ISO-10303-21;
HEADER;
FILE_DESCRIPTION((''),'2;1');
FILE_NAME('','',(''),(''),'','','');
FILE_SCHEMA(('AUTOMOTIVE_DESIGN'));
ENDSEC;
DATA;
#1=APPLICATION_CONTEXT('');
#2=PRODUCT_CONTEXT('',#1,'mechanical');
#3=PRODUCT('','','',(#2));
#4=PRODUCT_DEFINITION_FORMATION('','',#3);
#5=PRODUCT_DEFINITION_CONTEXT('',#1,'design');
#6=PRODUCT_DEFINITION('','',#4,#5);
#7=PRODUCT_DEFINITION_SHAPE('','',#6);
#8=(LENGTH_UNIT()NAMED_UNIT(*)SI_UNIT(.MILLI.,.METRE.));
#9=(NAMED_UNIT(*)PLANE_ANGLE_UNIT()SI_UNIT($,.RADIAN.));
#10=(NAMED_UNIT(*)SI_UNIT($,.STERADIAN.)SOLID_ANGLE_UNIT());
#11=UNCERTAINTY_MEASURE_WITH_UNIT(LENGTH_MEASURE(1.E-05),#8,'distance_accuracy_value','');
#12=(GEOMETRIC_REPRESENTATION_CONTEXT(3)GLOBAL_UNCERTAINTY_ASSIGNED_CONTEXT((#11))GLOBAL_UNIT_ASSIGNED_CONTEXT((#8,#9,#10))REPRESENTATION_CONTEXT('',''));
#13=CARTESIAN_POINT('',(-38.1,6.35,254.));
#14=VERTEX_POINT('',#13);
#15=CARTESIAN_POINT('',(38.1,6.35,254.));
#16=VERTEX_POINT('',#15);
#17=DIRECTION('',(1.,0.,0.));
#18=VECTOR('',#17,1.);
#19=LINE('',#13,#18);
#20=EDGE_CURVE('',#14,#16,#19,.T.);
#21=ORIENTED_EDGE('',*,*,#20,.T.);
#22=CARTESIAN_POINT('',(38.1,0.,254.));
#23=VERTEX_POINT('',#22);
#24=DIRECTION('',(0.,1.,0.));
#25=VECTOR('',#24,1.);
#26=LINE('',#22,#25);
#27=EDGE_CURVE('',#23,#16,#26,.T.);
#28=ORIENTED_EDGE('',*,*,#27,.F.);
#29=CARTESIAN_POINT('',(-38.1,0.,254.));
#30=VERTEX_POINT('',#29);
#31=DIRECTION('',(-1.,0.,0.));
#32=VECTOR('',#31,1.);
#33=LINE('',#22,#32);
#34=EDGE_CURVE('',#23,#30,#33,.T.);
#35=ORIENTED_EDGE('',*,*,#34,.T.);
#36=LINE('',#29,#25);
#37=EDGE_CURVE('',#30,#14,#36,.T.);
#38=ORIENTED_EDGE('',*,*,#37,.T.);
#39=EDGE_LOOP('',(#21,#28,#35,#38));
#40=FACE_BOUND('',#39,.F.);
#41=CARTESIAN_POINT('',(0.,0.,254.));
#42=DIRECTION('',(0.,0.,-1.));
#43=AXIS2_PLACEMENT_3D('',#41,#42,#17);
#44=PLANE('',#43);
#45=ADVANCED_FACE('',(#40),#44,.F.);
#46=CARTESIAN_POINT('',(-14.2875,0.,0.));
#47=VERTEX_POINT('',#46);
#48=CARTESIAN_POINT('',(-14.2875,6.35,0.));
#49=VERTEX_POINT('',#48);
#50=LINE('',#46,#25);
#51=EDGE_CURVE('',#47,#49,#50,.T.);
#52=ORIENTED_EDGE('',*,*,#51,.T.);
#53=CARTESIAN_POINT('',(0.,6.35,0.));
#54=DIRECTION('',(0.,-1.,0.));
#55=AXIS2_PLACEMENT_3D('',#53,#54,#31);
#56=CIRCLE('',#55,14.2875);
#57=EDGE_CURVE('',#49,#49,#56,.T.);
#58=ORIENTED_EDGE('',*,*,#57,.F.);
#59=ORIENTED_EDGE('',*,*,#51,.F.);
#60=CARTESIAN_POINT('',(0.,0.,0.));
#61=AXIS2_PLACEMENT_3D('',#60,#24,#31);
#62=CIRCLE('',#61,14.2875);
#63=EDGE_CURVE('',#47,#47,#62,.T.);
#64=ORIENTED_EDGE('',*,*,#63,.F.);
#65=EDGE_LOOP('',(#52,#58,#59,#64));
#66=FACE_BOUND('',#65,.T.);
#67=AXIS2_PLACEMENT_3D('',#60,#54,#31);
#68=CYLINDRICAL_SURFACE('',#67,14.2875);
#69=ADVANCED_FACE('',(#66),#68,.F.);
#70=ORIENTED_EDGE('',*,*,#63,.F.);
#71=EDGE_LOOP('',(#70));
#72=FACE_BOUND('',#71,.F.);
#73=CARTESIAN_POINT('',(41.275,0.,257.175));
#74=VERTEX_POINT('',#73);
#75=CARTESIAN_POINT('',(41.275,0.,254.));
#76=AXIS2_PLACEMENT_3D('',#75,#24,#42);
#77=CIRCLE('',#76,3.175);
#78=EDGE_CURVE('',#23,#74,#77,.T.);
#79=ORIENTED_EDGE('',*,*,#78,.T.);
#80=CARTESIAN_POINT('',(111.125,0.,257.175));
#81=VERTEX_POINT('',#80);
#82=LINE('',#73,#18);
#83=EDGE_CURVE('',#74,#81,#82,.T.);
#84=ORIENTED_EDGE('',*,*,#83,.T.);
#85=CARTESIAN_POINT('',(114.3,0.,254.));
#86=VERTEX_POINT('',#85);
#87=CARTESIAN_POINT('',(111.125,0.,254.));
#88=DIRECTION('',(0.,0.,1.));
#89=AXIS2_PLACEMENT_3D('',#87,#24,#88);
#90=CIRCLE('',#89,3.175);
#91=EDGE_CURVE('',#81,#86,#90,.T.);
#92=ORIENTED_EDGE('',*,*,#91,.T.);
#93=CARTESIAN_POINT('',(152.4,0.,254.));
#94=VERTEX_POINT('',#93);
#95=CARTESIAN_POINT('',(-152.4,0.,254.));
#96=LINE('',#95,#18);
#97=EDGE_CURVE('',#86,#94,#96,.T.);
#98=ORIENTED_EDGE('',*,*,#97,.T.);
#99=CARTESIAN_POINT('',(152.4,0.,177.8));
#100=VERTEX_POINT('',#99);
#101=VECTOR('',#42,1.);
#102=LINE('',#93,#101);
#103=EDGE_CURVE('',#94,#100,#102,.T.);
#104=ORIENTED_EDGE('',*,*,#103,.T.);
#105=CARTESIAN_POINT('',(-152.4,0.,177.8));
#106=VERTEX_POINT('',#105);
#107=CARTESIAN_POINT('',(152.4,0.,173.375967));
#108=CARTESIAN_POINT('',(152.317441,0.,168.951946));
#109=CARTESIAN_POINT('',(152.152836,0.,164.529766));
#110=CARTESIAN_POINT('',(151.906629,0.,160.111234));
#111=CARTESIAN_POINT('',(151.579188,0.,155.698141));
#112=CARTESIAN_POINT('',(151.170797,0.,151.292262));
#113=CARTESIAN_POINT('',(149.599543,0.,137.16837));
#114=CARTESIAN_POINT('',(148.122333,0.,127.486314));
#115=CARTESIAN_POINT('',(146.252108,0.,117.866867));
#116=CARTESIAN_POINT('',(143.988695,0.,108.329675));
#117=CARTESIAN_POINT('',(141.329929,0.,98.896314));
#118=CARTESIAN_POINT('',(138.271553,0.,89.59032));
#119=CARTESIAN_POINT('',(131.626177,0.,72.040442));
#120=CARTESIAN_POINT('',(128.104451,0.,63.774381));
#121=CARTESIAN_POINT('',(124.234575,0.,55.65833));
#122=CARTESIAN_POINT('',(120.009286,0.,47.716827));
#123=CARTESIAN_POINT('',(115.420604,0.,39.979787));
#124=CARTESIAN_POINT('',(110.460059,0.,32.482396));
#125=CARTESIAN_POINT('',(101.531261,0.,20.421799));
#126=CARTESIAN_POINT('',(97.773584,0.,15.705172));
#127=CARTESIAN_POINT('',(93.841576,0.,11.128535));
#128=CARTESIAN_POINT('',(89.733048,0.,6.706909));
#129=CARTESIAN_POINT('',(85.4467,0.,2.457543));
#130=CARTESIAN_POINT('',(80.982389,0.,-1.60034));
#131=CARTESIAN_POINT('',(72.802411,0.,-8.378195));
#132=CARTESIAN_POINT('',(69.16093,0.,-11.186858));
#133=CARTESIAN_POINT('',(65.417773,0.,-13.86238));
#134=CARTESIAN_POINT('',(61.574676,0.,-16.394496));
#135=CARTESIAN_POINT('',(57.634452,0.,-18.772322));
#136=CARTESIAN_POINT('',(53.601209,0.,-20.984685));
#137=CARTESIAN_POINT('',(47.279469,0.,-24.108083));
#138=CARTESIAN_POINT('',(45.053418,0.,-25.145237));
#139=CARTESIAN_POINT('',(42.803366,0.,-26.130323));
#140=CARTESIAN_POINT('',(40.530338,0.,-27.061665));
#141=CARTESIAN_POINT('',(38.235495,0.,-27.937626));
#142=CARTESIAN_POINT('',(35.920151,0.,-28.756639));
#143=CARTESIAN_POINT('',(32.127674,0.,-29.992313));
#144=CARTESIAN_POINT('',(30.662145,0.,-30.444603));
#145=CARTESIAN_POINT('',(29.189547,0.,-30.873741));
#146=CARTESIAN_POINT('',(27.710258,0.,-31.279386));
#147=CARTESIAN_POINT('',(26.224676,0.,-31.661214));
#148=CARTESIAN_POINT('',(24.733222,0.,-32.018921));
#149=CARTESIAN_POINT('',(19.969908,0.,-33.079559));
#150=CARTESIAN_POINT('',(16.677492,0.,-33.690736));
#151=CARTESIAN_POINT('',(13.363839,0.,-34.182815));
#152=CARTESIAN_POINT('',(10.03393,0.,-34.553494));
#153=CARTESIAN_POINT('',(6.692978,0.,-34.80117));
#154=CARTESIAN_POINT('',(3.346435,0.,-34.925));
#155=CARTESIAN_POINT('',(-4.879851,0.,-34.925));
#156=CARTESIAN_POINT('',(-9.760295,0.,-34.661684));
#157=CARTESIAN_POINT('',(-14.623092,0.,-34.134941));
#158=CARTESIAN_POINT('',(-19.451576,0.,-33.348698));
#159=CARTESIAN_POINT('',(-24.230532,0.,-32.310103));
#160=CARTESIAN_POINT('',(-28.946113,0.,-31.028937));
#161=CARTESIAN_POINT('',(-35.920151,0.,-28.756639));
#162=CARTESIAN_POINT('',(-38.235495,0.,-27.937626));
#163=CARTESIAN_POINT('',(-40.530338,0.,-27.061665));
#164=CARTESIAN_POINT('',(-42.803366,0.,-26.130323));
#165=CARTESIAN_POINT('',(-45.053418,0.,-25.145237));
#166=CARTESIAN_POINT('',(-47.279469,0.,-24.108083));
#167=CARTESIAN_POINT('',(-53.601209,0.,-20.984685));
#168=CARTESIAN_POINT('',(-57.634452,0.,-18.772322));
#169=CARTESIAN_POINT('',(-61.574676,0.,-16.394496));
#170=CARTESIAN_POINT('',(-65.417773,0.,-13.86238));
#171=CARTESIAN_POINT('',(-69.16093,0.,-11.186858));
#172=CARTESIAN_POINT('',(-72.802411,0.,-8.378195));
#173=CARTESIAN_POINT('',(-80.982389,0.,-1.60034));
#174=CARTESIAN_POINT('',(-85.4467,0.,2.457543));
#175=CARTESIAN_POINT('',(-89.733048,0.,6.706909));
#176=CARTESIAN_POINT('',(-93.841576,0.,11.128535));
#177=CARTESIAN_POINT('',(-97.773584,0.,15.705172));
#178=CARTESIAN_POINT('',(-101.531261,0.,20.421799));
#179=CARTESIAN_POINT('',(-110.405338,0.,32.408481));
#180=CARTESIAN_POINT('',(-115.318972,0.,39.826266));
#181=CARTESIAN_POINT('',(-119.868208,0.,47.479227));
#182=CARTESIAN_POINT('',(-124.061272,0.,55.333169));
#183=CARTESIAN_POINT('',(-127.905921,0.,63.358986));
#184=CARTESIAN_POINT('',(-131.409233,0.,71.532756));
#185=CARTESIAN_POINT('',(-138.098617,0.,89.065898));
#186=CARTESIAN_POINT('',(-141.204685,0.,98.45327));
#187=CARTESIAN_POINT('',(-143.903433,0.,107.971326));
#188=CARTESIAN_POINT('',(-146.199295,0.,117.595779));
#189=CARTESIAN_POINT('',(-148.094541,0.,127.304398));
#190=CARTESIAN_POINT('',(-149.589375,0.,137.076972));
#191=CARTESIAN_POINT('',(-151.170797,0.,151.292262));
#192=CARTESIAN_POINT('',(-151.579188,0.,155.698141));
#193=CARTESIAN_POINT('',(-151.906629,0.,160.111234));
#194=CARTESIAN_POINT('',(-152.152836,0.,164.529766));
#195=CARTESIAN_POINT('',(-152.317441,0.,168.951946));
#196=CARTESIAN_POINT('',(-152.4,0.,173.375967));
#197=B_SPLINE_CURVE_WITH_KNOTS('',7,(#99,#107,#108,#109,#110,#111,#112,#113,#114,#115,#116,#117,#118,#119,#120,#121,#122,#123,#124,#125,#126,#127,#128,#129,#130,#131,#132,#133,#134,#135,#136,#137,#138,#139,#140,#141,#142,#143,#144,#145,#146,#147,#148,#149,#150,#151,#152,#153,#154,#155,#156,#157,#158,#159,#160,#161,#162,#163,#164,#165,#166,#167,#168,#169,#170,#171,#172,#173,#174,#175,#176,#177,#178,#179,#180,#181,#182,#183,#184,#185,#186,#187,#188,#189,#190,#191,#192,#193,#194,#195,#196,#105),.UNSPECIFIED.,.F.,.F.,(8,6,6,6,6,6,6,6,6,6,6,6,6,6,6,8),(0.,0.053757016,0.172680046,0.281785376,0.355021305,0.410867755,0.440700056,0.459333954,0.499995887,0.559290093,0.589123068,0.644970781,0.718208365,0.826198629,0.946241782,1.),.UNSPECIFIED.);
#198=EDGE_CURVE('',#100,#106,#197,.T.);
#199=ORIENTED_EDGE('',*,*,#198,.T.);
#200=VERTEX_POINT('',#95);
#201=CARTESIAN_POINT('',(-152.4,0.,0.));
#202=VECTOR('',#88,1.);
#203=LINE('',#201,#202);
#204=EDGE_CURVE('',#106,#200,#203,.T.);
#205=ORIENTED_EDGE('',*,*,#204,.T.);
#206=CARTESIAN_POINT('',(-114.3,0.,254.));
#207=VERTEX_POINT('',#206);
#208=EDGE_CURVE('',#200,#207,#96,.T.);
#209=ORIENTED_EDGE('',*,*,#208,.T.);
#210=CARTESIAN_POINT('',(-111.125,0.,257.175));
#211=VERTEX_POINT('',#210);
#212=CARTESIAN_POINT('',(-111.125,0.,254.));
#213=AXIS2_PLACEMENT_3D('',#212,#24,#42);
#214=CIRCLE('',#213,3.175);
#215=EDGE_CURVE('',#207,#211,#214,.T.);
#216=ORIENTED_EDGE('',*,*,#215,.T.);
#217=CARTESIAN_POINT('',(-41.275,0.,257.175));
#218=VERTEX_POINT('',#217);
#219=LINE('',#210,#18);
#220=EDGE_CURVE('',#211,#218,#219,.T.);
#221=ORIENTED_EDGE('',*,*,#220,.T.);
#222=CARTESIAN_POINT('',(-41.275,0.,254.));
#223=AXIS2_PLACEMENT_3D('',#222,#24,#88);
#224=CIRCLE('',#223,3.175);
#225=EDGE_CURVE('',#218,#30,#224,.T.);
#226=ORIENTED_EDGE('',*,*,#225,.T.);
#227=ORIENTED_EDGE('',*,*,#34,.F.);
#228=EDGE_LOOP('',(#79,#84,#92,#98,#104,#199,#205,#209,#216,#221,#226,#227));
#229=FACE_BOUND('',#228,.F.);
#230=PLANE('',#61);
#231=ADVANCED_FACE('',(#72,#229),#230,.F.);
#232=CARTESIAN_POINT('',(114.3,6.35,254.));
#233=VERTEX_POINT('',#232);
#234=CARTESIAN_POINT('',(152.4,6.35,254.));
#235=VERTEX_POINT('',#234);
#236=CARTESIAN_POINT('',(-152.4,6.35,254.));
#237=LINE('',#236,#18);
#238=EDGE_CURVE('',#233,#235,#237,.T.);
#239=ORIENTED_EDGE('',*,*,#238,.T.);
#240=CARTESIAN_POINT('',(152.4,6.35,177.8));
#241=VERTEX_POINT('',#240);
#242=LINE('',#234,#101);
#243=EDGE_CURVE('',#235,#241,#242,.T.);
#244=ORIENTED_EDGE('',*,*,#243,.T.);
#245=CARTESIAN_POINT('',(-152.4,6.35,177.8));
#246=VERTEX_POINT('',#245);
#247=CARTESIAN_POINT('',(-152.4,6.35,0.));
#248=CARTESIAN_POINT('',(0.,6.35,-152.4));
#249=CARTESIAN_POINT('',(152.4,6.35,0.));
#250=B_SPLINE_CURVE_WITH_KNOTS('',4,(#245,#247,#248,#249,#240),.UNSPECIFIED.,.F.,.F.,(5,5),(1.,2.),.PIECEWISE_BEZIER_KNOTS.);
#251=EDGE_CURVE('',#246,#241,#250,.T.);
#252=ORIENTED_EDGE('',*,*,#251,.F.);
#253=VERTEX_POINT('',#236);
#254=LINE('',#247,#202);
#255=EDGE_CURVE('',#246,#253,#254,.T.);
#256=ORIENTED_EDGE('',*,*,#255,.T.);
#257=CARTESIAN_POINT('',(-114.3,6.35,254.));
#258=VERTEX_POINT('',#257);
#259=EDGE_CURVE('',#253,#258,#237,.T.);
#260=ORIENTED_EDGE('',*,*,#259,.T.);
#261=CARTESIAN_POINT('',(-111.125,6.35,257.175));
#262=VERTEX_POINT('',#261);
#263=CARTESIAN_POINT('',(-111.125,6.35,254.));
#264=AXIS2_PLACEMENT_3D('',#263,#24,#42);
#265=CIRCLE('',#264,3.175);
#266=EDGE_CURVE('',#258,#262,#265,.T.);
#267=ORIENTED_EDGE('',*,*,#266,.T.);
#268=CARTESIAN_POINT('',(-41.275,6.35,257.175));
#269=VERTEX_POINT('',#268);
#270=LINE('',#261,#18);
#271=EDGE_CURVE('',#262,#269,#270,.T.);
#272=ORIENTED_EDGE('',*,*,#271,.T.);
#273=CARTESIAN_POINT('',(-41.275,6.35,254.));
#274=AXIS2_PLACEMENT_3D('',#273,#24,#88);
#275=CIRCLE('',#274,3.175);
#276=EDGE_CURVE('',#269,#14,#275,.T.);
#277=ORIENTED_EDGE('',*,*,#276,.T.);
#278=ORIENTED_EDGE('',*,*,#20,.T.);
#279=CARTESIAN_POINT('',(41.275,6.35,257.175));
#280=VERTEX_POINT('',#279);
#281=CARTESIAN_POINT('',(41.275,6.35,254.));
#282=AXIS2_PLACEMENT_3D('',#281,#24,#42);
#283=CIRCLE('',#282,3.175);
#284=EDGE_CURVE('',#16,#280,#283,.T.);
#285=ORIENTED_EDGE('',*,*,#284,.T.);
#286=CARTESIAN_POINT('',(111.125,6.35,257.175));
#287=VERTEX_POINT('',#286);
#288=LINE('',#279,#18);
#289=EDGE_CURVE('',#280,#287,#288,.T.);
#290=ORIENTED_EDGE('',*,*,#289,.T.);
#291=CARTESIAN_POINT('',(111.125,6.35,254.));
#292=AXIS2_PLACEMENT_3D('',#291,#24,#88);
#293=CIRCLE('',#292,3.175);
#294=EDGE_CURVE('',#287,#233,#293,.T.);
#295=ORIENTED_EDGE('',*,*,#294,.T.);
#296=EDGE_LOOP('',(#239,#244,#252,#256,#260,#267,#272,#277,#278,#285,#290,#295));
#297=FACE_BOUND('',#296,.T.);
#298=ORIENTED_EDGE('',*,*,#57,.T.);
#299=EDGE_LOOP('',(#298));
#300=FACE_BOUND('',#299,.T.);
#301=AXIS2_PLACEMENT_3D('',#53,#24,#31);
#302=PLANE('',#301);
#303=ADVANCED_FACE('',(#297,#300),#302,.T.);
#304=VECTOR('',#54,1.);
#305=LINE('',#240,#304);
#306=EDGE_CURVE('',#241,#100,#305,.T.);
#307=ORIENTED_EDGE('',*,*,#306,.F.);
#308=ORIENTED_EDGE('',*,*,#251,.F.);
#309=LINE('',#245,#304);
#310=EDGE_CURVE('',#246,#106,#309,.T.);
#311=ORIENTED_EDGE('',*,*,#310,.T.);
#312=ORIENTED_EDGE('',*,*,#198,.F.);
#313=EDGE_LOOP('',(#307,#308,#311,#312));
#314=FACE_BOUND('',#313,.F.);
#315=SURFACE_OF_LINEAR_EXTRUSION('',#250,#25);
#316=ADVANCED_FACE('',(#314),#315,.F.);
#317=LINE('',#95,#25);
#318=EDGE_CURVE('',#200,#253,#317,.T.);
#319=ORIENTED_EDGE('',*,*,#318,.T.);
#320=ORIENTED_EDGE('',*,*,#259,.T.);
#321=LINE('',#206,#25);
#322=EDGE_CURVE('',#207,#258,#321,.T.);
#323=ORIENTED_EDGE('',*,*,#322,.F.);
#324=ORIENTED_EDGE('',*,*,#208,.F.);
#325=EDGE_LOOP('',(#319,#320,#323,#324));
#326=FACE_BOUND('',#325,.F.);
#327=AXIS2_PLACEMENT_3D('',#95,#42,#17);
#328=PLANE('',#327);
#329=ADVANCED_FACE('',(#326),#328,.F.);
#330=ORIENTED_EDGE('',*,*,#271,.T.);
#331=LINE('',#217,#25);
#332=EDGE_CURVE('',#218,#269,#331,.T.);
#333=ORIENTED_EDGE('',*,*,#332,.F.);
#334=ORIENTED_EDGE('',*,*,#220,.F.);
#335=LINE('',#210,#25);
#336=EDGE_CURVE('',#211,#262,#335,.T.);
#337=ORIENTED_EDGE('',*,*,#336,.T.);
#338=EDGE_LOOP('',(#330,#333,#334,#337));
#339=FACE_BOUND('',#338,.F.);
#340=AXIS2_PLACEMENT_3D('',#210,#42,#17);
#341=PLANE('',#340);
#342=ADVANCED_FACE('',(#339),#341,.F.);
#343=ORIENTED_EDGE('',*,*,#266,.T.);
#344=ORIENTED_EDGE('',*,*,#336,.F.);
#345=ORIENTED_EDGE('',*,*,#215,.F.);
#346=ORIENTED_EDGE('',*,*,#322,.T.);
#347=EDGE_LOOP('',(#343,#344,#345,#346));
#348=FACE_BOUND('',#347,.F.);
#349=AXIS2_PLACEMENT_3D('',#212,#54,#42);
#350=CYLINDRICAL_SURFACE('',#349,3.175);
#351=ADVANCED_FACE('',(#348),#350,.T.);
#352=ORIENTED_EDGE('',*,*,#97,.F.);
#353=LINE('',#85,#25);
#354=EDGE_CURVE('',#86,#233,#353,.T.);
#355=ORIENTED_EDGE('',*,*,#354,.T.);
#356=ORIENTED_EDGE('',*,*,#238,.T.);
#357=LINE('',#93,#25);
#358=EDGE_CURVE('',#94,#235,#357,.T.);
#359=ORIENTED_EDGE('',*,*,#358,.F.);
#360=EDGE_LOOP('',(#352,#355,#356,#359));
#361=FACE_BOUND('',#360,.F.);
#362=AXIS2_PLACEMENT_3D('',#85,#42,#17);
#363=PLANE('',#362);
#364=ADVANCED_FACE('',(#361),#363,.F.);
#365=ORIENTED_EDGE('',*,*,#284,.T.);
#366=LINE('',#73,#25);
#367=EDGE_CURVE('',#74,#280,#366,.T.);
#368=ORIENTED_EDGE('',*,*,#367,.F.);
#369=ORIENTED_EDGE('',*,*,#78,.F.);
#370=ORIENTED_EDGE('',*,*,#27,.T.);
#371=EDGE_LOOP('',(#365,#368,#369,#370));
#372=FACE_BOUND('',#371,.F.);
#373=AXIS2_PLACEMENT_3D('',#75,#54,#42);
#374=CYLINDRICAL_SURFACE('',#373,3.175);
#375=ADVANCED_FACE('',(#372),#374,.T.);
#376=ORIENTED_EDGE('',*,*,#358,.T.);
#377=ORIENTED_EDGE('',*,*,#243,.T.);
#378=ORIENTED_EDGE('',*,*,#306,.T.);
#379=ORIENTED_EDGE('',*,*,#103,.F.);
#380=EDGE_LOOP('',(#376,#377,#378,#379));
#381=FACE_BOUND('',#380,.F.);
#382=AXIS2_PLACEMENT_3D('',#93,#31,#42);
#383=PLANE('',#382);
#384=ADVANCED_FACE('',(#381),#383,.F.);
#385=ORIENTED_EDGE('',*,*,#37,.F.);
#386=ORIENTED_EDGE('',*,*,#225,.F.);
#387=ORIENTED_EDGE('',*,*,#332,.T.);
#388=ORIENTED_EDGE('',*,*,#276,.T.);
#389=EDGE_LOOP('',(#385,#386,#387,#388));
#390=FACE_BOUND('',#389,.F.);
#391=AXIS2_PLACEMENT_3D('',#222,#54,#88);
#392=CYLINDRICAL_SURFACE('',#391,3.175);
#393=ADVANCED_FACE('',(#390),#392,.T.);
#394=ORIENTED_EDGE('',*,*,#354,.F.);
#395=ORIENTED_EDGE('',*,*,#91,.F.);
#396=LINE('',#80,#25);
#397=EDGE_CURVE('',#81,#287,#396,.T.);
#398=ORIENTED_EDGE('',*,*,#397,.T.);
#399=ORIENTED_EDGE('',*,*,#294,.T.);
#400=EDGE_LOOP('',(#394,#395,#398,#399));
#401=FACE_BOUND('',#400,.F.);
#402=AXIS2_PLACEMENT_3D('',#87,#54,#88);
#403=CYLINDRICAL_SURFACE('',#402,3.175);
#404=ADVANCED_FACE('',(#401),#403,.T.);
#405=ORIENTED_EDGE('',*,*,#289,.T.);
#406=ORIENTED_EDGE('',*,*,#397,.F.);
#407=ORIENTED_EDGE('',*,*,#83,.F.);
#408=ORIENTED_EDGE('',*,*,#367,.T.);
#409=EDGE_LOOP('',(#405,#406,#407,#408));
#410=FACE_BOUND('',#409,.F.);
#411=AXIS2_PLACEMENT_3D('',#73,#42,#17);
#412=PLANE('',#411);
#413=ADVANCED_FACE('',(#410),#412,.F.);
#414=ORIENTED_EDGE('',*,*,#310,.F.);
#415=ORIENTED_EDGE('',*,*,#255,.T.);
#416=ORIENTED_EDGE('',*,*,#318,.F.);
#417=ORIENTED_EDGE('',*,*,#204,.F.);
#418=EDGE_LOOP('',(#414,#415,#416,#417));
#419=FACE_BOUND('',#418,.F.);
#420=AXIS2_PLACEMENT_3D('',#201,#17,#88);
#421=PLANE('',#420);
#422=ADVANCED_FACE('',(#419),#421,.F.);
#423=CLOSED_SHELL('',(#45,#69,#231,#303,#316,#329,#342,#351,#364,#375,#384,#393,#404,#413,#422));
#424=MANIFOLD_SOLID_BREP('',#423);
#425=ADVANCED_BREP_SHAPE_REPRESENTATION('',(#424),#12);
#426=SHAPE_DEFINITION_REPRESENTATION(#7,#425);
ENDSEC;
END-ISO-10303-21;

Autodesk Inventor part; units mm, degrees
ref_plane "YZ Plane" through (0, 0, 0) normal (1, 0, 0) x (0, 1, 0)
ref_plane "XZ Plane" through (0, 0, 0) normal (0, 1, 0) x (-1, 0, 0)
ref_plane "XY Plane" through (0, 0, 0) normal (0, 0, 1) x (1, 0, 0)
sketch "Sketch1" plane through (0, 0, 0) normal (0, 1, 0) x (-1, 0, 0)
  line L0 (0, -234.315) -> (0, 339.09) projected
  line L1 (-213.36, 0) -> (213.36, 0) projected
  line L2 (213.36, 0) -> (-213.36, 0) projected
  line L3 (0, -234.315) -> (0, 339.09) projected
  line L4 (152.4, 254) -> (-152.4, 254)
  line L5 (-152.4, 254) -> (-152.4, 0)
  line L6 (152.4, 0) -> (152.4, 254)
  arc A0 (-152.4, 0) -> (152.4, 0) centre (0, 0) ccw
  line L7 (111.125, 254) -> (41.275, 254) construction
  line L8 (111.125, 257.175) -> (41.275, 257.175)
  line L9 (41.275, 250.825) -> (111.125, 250.825)
  arc A1 (111.125, 250.825) -> (111.125, 257.175) centre (111.125, 254) ccw
  arc A2 (41.275, 257.175) -> (41.275, 250.825) centre (41.275, 254) ccw
  line L10 (-41.275, 254) -> (-111.125, 254) construction
  line L11 (-41.275, 257.175) -> (-111.125, 257.175)
  line L12 (-111.125, 250.825) -> (-41.275, 250.825)
  arc A3 (-41.275, 250.825) -> (-41.275, 257.175) centre (-41.275, 254) ccw
  arc A4 (-111.125, 257.175) -> (-111.125, 250.825) centre (-111.125, 254) ccw
  circle A5 centre (0, 0) radius 14.2875
  point P0 (76.2, 254)
  point P1 (-76.2, 254)
  point P2 (0, -152.4)
  point P3 (114.3, 254)
  point P4 (38.1, 254)
  dimension "d2" = 69.85
  dimension "d3" = 6.35
  dimension "d4" = 69.85
  dimension "d5" = 6.35
  dimension "d7" = 76.2
  dimension "d8" = 304.8
  dimension "d9" = 76.2
  dimension "d10" = 28.575
  dimension "d11" = 406.4
  dimension "d15" = 76.2
extrude "Extrusion1" add sketch "Sketch1" along normal blind 6.35 contours A0 L1 A5 L0 | L0 A5 L1 A0 | L5 L4 A4 L12 A3 L0 A5 L1 | L1 A5 L0 L4 A2 L9 A1 L6 | A4 L11 A3 L4 | L4 A3 L12 A4 | A1 L9 A2 L4 | L4 A2 L8 A1
sketch "Sketch5" plane through (0, 6.35, 0) normal (0, 1, 0) x (1, 0, 0)
  circle A0 centre (0, 0) radius 14.2875 projected
  line L0 (-38.1, -254) -> (38.1, -254) projected
  arc A1 (38.1, -254) -> (41.275, -257.175) centre (41.275, -254) ccw projected
  line L1 (41.275, -257.175) -> (111.125, -257.175) projected
  arc A2 (111.125, -257.175) -> (114.3, -254) centre (111.125, -254) ccw projected
  line L2 (114.3, -254) -> (152.4, -254) projected
  line L3 (152.4, -254) -> (152.4, 0) projected
  arc A3 (152.4, 0) -> (-152.4, 0) centre (0, 0) ccw projected
  line L4 (-152.4, 0) -> (-152.4, -254) projected
  line L5 (-152.4, -254) -> (-114.3, -254) projected
  arc A4 (-114.3, -254) -> (-111.125, -257.175) centre (-111.125, -254) ccw projected
  line L6 (-111.125, -257.175) -> (-41.275, -257.175) projected
  arc A5 (-41.275, -257.175) -> (-38.1, -254) centre (-41.275, -254) ccw projected
  line L7 (-152.4, -254) -> (152.4, -254)
  line L8 (152.4, -254) -> (152.4, -177.8)
  line L9 (152.4, -177.8) -> (-152.4, -177.8)
  line L10 (-152.4, -177.8) -> (-152.4, -254)
  line L11 (-152.4, -177.8) -> (152.4, -177.8)
  line L12 (152.4, -177.8) -> (152.4, 0)
  line L13 (-152.4, 0) -> (-152.4, -177.8)
  arc A6 (152.4, 0) -> (-152.4, 0) centre (0, 0) ccw
  line L14 (-152.4, 0) -> (-152.4, -254) projected
  line L15 (-152.4, -177.8) -> (-152.4, 0) construction
  line L16 (-152.4, 0) -> (0, 152.4) construction
  line L17 (0, 152.4) -> (152.4, 0) construction
  line L18 (152.4, 0) -> (152.4, -177.8) construction
  line L19 (152.4, -254) -> (152.4, 0) projected
  spline S0 degree 4 poles (-152.4, -177.8) (-152.4, 0) (0, 152.4) (152.4, 0) (152.4, -177.8) knots 1 1 1 1 1 2 2 2 2 2
  dimension "d20" = 304.8
  dimension "d21" = 76.2
extrude "Extrusion2" cut sketch "Sketch5" against normal blind 25.4 contours L4 A3 L3 S0
properties part number "turretSidePlateTwo"
